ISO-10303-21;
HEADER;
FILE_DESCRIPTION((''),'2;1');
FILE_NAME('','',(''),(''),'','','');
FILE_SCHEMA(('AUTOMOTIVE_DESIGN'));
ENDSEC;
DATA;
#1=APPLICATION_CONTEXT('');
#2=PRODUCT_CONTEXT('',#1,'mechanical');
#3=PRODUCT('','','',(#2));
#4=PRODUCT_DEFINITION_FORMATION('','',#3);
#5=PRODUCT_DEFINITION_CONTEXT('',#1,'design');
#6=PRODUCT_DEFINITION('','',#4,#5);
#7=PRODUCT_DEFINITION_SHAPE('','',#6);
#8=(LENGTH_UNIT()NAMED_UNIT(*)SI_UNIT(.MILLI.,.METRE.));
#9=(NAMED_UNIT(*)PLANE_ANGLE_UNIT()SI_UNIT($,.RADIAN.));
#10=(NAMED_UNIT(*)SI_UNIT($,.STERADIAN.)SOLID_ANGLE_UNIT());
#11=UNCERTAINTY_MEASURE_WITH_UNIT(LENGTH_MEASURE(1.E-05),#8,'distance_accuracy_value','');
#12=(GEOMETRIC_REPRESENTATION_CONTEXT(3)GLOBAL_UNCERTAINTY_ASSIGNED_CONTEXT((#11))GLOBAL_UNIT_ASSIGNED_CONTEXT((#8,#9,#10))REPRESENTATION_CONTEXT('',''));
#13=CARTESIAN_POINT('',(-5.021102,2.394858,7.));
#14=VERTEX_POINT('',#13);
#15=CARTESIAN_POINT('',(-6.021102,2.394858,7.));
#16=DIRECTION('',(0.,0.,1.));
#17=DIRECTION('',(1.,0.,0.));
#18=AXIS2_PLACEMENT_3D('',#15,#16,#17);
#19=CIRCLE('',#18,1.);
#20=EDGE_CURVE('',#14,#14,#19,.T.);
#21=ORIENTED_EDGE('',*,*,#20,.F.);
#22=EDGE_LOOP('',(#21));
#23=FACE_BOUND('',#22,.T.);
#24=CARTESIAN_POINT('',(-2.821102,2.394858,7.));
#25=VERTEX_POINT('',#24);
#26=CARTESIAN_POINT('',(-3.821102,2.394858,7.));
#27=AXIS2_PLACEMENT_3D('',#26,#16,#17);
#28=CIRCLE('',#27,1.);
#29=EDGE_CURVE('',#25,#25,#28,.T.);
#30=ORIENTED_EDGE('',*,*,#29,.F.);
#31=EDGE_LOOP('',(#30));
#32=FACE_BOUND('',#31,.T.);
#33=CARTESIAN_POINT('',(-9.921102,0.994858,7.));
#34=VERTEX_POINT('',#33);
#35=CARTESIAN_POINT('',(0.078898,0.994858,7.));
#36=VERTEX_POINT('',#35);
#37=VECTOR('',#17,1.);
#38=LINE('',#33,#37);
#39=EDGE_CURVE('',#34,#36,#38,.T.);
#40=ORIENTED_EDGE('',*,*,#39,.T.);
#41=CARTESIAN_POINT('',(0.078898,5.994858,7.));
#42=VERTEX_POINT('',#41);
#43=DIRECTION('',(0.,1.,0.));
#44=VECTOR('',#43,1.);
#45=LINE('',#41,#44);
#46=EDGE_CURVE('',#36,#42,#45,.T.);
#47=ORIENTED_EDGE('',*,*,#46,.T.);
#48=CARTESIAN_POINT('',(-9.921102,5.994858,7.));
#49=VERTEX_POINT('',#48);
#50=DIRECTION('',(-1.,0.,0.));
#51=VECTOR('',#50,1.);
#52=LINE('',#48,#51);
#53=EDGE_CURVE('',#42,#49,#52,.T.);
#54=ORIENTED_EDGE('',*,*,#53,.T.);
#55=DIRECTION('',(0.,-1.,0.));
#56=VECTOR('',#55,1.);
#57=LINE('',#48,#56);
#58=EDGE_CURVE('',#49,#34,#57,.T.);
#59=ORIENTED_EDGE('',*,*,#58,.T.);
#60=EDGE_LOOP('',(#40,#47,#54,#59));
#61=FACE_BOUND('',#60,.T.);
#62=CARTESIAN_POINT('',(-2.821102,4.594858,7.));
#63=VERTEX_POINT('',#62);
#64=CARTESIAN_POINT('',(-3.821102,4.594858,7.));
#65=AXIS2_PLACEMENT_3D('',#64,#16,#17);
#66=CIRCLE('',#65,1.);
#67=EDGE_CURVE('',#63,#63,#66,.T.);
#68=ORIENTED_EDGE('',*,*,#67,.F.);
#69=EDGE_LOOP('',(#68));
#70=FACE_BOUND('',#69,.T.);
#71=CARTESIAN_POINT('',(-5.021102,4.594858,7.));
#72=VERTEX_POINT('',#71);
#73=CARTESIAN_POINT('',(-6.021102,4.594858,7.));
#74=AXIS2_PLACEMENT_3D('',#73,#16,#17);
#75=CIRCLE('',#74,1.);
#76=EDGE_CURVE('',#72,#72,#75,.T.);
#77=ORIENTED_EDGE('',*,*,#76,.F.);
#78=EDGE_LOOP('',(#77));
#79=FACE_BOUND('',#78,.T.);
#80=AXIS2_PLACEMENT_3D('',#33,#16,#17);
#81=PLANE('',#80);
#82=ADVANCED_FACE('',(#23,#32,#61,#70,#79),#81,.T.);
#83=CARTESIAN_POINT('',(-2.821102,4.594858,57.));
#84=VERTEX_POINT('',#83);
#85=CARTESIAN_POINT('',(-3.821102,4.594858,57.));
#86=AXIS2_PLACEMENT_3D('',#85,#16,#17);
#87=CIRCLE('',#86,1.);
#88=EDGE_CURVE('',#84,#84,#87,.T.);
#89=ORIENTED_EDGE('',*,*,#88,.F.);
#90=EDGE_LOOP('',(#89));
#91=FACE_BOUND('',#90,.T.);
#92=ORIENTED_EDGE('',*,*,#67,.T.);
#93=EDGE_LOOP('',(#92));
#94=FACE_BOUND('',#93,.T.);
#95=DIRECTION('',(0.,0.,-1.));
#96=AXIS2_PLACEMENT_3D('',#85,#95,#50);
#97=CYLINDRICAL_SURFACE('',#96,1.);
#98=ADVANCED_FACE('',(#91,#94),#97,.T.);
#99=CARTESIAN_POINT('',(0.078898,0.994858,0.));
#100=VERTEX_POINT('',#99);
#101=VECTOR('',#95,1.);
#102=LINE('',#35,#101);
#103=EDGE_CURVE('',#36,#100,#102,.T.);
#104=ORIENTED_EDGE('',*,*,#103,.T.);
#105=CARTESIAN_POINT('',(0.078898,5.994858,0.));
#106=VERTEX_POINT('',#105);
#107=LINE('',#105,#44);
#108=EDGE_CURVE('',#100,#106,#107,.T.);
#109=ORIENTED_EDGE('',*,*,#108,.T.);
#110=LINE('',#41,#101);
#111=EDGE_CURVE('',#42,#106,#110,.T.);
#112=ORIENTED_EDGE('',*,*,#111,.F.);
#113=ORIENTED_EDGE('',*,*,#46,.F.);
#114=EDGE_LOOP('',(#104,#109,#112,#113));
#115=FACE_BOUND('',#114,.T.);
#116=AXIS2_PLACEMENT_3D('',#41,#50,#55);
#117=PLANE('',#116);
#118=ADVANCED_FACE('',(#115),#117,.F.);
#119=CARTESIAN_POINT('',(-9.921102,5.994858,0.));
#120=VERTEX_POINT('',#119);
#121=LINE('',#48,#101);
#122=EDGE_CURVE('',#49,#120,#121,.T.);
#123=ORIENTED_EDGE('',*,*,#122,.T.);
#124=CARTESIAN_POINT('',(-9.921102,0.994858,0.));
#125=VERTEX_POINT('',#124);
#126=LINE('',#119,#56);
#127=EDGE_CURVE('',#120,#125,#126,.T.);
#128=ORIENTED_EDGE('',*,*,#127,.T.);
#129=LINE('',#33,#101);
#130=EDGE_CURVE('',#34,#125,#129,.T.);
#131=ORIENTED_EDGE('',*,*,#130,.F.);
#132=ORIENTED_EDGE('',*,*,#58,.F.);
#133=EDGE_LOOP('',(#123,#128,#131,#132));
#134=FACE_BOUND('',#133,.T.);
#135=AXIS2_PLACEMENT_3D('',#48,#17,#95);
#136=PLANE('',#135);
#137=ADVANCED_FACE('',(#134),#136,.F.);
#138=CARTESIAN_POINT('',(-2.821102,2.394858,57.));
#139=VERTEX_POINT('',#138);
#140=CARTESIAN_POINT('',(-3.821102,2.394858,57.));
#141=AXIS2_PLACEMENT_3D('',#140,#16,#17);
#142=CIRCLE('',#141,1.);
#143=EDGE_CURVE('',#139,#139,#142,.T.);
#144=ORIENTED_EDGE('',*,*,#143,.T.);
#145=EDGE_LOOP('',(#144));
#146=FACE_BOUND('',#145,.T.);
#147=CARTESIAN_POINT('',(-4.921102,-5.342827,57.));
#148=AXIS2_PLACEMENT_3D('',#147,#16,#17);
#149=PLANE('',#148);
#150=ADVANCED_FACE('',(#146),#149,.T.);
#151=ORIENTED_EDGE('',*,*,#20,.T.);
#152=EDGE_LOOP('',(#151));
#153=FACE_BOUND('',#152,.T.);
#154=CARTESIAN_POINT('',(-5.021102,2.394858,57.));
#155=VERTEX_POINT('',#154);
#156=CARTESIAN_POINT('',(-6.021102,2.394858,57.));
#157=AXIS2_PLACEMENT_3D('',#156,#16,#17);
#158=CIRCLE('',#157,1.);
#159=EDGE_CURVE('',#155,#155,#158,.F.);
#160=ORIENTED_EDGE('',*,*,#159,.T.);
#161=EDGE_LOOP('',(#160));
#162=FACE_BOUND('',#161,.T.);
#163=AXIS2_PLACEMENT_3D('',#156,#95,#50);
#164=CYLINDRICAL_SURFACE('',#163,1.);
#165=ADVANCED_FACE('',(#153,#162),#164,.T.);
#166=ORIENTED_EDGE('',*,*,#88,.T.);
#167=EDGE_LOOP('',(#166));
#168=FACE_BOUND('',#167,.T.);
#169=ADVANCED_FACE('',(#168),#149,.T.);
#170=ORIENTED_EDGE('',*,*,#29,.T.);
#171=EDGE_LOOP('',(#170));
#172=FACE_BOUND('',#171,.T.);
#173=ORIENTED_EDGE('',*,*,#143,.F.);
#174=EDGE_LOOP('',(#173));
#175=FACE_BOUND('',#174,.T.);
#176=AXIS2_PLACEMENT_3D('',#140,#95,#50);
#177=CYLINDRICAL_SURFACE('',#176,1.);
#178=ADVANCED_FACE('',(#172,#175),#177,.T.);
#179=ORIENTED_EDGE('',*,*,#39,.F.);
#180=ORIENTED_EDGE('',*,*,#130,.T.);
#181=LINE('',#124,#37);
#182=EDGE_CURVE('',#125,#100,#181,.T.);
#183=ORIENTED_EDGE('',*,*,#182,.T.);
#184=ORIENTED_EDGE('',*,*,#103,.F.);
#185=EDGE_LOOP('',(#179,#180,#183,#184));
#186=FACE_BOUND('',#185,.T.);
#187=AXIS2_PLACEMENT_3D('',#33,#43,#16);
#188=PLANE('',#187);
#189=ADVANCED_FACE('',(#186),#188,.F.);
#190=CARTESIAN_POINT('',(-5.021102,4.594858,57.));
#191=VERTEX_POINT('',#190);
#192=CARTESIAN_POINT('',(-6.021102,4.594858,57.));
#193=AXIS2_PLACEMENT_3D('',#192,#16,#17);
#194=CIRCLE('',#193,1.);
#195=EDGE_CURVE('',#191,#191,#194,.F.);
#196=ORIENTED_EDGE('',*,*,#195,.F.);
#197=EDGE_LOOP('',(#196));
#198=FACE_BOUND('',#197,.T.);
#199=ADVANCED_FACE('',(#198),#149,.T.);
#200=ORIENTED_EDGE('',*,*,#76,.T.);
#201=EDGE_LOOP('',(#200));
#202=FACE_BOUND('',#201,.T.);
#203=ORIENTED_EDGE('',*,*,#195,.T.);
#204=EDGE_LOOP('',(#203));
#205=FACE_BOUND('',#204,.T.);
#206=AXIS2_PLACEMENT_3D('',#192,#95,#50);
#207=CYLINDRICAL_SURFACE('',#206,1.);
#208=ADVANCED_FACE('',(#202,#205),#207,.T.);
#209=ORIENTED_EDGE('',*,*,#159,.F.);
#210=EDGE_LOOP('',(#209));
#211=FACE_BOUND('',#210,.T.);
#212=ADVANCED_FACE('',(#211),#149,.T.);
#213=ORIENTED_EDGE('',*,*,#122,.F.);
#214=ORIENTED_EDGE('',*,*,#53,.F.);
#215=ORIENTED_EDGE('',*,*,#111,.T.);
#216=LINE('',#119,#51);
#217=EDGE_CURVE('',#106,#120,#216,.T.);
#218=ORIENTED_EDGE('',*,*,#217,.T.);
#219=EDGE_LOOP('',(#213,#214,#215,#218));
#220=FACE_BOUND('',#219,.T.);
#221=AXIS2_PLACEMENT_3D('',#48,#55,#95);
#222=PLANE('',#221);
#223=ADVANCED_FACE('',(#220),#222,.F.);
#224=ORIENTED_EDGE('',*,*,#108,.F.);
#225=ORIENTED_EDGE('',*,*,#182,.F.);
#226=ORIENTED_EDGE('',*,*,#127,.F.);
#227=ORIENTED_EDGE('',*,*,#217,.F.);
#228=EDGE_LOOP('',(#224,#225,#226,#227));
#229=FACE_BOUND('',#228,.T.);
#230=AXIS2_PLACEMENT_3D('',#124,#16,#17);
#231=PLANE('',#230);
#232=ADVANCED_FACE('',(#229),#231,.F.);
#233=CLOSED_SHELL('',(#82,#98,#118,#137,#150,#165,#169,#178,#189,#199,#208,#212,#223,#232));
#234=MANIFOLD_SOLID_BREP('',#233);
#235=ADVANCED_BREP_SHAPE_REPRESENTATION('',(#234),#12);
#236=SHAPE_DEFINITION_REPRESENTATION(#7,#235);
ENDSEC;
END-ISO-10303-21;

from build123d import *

# Parameters (mm, degrees)
SKETCH1_W           = 10
SKETCH1_H           = 5
BOSS_EXTRUDE1_DEPTH = 7
SKETCH2_R           = 1
BOSS_EXTRUDE5_DEPTH = 50


with BuildPart() as part:
    # Sketch1 → Boss-Extrude1 (new body)
    with BuildSketch(Plane.XY):
        with Locations((-4.92110163, 3.494858358)):
            Rectangle(SKETCH1_W, SKETCH1_H)
    extrude(amount=BOSS_EXTRUDE1_DEPTH)

    # Sketch2 → Boss-Extrude5 (add)
    with BuildSketch(Plane.XY.offset(7)):
        with Locations((-3.82110163, 4.594858358)):
            Circle(SKETCH2_R)
        with Locations((-3.82110163, 2.394858358)):
            Circle(SKETCH2_R)
        with Locations((-6.02110163, 4.594858358)):
            Circle(SKETCH2_R)
        with Locations((-6.02110163, 2.394858358)):
            Circle(SKETCH2_R)
    extrude(amount=BOSS_EXTRUDE5_DEPTH)


solid = part.part
